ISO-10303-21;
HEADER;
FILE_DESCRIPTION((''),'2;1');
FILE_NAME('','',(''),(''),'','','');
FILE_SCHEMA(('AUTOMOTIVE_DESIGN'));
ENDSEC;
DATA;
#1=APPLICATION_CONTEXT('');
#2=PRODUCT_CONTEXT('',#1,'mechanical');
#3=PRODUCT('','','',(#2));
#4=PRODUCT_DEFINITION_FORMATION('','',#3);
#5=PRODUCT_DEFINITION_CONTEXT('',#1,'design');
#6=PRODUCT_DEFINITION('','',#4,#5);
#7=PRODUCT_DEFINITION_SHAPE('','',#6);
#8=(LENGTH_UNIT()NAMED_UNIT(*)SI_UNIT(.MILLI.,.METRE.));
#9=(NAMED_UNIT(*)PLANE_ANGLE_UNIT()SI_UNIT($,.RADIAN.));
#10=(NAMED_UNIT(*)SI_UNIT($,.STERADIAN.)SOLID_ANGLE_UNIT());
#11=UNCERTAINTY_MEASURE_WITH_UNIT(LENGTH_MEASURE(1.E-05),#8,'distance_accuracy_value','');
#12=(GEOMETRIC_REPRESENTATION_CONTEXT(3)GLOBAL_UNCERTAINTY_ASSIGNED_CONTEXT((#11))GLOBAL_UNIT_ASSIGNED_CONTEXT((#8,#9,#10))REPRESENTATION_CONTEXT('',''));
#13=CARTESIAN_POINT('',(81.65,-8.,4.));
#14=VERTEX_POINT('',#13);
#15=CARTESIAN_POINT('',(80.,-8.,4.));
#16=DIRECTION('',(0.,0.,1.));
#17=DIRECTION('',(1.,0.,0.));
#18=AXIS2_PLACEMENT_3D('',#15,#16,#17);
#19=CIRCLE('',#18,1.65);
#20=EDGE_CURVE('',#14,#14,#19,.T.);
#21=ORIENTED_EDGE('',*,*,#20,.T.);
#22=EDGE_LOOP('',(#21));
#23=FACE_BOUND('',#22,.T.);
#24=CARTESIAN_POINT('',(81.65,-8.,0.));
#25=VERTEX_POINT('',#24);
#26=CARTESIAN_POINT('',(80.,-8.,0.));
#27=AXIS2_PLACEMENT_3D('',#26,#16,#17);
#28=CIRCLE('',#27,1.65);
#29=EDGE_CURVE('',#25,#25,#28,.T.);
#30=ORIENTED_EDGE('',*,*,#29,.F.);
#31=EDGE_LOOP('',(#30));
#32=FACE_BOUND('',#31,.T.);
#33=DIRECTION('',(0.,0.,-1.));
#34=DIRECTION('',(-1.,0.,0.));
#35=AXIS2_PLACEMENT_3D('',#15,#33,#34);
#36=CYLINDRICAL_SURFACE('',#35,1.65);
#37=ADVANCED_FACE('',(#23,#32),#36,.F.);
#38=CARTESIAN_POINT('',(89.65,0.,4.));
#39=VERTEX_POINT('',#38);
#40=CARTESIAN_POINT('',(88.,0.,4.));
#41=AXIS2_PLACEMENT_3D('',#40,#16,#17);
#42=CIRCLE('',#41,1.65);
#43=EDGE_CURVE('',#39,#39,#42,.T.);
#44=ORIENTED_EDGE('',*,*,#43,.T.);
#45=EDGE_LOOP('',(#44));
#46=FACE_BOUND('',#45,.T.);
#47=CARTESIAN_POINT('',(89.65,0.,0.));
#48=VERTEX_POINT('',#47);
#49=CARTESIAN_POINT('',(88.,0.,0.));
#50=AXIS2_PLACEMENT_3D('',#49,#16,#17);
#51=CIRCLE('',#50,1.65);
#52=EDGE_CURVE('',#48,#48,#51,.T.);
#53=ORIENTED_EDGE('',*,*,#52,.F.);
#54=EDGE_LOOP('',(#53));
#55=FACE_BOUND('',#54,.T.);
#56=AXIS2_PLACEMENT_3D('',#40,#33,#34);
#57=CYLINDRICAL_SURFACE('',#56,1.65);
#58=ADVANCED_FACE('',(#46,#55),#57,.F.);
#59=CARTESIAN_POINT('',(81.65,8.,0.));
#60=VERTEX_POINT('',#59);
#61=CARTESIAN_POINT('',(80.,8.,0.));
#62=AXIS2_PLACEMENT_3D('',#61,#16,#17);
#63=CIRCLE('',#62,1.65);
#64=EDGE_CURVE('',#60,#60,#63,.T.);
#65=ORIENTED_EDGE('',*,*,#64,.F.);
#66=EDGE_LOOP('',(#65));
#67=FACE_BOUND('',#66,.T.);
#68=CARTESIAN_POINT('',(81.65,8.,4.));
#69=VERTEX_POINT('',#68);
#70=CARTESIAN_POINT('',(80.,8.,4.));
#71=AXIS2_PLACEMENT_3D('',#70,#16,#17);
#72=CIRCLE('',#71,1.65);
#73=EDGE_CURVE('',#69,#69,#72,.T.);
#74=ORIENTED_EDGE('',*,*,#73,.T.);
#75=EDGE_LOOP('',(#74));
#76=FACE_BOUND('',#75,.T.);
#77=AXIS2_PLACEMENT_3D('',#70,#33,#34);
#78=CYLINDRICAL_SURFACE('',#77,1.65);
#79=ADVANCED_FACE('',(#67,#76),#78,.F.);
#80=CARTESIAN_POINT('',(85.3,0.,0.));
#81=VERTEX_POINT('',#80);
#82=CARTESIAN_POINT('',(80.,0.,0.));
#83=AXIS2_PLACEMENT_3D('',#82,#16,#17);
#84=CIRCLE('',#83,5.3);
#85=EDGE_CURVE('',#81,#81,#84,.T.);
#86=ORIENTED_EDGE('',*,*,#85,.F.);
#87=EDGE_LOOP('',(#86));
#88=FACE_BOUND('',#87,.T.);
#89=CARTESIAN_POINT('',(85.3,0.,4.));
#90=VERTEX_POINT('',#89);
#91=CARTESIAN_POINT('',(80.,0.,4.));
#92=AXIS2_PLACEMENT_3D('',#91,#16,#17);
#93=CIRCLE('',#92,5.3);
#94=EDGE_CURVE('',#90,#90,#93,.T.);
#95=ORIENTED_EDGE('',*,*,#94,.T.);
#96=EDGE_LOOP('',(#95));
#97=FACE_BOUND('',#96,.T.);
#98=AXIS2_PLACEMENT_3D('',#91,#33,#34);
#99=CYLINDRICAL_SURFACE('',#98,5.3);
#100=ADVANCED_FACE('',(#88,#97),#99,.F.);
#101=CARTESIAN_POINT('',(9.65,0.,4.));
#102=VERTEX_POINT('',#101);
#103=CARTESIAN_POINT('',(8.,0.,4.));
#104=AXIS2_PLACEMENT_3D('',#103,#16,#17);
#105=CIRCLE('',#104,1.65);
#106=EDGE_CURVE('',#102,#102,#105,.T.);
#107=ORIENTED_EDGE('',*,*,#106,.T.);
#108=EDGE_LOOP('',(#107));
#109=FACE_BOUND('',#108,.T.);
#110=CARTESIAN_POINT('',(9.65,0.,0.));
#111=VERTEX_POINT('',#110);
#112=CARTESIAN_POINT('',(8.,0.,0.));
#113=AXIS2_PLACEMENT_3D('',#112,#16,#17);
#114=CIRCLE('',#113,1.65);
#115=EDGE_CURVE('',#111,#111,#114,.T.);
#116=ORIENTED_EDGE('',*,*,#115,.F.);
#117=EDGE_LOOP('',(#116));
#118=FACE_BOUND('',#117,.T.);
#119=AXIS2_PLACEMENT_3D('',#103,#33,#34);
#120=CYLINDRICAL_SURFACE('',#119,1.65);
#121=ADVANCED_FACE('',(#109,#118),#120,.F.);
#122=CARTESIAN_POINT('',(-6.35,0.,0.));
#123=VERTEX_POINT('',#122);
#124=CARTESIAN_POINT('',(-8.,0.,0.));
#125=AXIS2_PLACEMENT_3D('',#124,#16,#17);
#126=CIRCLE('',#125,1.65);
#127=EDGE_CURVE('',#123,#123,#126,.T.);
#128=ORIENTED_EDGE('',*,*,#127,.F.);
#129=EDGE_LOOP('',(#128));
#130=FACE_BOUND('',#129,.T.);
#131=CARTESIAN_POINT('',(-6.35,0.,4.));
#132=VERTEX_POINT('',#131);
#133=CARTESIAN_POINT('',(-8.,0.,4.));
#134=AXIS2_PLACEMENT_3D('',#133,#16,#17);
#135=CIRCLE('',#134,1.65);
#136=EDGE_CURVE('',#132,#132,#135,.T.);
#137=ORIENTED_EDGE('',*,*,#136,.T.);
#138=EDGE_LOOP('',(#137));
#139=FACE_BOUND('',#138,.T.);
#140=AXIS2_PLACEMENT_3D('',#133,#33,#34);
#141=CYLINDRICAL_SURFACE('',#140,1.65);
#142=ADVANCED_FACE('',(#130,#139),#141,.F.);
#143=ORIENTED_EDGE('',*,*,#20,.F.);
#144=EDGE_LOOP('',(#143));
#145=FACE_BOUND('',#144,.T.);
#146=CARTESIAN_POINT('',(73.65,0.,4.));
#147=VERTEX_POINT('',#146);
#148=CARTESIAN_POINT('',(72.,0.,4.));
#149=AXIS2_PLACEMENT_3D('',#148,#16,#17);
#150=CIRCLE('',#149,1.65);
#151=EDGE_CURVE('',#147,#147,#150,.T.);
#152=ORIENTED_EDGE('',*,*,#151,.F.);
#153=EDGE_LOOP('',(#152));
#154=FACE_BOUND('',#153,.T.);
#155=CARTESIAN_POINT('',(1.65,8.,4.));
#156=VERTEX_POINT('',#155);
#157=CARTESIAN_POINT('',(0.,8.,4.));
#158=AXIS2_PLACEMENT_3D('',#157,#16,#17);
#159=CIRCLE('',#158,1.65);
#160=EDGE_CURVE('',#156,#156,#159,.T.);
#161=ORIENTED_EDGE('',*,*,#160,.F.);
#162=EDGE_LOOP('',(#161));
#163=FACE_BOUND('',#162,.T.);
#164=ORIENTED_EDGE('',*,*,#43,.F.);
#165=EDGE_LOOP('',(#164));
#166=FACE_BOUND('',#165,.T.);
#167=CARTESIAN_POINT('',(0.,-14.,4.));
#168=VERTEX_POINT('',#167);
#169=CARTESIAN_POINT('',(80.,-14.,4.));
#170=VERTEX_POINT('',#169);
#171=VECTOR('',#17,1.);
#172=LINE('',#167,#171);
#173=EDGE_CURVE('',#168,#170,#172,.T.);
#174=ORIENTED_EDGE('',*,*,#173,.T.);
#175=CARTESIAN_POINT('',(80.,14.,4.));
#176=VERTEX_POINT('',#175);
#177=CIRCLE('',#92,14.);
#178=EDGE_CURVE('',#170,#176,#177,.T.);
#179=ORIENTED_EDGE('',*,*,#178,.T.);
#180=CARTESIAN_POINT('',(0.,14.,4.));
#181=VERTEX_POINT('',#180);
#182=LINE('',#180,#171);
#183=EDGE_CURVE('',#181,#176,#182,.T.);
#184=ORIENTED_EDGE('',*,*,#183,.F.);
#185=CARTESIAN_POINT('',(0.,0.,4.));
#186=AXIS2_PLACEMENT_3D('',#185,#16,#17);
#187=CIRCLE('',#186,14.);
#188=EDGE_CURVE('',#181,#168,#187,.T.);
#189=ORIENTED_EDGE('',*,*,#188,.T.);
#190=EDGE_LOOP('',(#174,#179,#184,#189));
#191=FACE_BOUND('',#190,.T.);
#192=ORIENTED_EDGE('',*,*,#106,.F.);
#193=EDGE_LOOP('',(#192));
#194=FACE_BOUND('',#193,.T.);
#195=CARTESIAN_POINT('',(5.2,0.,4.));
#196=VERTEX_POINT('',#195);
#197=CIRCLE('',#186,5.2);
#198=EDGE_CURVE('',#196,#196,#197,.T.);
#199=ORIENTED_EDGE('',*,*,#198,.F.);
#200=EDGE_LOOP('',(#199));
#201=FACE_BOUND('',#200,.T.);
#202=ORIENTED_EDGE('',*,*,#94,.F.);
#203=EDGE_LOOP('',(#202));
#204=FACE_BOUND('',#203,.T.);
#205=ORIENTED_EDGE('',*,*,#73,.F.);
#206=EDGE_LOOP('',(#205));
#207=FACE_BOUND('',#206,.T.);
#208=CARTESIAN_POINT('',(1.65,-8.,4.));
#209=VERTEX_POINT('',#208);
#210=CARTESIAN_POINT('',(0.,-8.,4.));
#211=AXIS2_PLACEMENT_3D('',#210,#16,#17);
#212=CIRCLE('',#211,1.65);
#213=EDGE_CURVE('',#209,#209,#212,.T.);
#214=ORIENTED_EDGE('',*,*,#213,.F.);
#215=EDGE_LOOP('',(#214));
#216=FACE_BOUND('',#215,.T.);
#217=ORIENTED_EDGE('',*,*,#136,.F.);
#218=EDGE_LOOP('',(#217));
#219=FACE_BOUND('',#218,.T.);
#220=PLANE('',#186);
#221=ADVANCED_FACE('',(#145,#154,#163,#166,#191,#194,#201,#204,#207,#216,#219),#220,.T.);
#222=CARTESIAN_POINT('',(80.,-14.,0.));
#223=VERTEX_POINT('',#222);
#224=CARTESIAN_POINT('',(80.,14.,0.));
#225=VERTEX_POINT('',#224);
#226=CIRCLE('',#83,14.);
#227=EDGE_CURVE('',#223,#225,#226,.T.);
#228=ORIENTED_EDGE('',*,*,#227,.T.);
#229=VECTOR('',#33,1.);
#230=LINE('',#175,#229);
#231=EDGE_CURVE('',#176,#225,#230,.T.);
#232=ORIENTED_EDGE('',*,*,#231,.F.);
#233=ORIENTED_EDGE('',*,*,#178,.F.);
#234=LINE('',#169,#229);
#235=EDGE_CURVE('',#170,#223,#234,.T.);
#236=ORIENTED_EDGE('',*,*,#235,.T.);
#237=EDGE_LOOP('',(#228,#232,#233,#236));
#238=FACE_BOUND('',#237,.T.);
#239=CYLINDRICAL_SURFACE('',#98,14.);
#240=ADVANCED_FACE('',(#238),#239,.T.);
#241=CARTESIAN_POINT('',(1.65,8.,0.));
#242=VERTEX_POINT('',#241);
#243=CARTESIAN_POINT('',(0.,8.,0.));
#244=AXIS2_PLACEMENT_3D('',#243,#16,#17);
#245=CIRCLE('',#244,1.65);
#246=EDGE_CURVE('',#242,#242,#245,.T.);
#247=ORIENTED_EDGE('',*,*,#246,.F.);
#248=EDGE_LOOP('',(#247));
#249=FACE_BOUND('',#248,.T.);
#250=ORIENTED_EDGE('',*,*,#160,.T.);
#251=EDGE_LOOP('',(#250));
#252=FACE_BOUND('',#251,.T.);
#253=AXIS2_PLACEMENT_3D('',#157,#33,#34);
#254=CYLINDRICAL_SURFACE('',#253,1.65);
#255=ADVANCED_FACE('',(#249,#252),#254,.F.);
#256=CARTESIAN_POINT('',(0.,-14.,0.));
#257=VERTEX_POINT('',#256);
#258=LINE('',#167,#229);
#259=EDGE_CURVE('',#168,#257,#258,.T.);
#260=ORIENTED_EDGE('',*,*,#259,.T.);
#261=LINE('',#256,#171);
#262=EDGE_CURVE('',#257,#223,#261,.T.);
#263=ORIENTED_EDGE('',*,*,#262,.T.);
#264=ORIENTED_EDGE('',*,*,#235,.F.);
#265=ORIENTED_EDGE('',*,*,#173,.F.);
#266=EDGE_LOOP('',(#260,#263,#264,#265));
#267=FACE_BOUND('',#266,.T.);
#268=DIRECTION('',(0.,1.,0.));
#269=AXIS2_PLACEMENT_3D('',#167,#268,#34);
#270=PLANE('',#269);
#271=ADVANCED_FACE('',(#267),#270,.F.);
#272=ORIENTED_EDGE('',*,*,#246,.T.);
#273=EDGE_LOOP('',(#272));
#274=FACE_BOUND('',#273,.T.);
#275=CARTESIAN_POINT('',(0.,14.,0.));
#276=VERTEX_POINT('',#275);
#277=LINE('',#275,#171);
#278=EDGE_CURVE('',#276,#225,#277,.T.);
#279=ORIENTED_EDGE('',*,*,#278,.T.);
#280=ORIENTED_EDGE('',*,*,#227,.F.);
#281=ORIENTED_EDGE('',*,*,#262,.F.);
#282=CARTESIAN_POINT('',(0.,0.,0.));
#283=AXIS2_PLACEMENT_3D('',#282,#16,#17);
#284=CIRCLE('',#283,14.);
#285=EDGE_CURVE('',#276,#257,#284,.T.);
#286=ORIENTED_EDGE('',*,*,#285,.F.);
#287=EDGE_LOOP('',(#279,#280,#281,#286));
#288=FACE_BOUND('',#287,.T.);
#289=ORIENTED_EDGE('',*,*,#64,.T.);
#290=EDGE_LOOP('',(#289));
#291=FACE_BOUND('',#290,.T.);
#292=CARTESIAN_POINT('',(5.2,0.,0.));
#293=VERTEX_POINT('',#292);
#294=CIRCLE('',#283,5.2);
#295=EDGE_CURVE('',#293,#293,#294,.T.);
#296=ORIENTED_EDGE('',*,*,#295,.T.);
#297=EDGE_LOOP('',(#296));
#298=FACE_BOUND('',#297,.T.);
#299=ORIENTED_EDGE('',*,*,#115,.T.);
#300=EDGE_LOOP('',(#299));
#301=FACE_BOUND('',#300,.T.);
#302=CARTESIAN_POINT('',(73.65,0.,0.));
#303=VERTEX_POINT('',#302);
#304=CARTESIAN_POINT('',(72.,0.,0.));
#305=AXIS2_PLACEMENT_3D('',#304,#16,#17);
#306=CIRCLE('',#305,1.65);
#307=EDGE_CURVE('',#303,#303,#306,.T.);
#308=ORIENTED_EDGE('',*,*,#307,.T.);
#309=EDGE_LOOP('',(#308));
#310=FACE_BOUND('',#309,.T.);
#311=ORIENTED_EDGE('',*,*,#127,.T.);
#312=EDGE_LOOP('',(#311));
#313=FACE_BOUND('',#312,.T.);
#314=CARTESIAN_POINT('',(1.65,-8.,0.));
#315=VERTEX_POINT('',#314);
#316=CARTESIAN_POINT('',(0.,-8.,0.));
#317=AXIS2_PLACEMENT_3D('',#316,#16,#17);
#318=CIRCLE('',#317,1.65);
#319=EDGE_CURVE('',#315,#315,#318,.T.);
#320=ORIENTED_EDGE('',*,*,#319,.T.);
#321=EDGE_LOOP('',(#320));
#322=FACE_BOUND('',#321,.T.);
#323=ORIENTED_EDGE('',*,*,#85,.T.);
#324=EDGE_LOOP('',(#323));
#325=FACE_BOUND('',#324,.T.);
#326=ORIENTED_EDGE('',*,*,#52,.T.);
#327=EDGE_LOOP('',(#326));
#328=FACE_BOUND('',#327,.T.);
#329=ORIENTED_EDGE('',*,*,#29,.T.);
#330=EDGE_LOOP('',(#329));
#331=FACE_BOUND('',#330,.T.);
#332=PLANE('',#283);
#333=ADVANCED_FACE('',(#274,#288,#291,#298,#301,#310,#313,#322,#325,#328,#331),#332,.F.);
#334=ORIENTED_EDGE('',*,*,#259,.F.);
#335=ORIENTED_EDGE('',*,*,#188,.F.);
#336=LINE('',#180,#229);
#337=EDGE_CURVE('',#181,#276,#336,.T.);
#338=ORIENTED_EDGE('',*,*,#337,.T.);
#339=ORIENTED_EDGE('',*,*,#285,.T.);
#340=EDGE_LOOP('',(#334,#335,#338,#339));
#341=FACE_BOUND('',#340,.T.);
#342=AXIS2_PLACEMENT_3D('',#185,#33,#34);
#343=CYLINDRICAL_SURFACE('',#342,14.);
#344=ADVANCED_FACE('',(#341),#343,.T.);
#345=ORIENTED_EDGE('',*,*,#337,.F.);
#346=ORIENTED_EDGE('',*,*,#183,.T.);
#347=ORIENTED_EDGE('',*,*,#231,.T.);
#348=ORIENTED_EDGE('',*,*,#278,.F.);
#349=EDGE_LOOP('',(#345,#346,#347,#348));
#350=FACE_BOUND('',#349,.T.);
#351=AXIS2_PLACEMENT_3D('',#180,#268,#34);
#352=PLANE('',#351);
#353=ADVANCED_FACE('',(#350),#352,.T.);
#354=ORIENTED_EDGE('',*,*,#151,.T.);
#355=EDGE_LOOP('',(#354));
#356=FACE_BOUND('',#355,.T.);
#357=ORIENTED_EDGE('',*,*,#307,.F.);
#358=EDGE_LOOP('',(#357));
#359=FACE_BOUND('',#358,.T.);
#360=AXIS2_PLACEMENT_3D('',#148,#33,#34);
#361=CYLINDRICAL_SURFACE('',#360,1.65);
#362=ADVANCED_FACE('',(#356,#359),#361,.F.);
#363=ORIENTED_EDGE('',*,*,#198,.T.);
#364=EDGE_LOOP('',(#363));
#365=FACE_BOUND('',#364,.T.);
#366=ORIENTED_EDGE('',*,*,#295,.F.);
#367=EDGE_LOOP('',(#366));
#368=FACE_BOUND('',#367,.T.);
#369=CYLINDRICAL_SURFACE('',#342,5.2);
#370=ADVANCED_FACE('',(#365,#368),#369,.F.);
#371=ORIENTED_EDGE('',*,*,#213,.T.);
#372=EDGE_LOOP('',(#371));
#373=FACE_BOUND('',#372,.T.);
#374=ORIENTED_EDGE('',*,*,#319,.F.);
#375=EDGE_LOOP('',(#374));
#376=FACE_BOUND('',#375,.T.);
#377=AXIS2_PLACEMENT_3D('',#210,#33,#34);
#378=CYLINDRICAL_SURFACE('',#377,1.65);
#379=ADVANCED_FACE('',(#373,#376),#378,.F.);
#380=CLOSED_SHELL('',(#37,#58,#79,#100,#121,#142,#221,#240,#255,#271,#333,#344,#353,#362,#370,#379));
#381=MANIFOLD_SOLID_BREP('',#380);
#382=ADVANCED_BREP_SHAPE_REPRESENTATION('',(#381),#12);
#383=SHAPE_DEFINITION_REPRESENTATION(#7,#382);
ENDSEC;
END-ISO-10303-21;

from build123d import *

# Parameters (mm, degrees)
EXTRUDE_1_DEPTH = 4


with BuildPart() as part:
    # 草图1 → 凸台-拉伸1 (new body)
    with BuildSketch(Plane.XY):
        with BuildLine():
            Line((0, 9.65), (0, 14))
            ThreePointArc((0, 14), (-14, 0), (0, -14))
            Line((0, -14), (0, -9.65))
            ThreePointArc((0, -9.65), (-1.225409689, -9.104930357), (-1.641202867, -7.82984375))
            ThreePointArc((-1.641202867, -7.82984375), (-5.656854249, -5.656854249), (-7.82984375, -1.641202867))
            ThreePointArc((-7.82984375, -1.641202867), (-9.65, 0), (-7.82984375, 1.641202867))
            ThreePointArc((-7.82984375, 1.641202867), (-5.656854249, 5.656854249), (-1.641202867, 7.82984375))
            ThreePointArc((-1.641202867, 7.82984375), (-1.225409689, 9.104930357), (0, 9.65))
        make_face()
        with BuildLine():
            ThreePointArc((0, 6.35), (-1.104930357, 6.774590311), (-1.641202867, 7.82984375))
            ThreePointArc((-1.641202867, 7.82984375), (-5.656854249, 5.656854249), (-7.82984375, 1.641202867))
            ThreePointArc((-7.82984375, 1.641202867), (-6.774590311, 1.104930357), (-6.35, 0))
            ThreePointArc((-6.35, 0), (-6.774590311, -1.104930357), (-7.82984375, -1.641202867))
            ThreePointArc((-7.82984375, -1.641202867), (-5.656854249, -5.656854249), (-1.641202867, -7.82984375))
            ThreePointArc((-1.641202867, -7.82984375), (-1.104930357, -6.774590311), (0, -6.35))
            Line((0, -6.35), (0, -5.2))
            ThreePointArc((0, -5.2), (-5.2, 0), (0, 5.2))
            Line((0, 5.2), (0, 6.35))
        make_face()
        with BuildLine():
            ThreePointArc((1.641202867, 7.82984375), (1.104930357, 6.774590311), (0, 6.35))
            Line((0, 6.35), (0, 5.2))
            ThreePointArc((0, 5.2), (3.676955262, 3.676955262), (5.2, 0))
            ThreePointArc((5.2, 0), (3.676955262, -3.676955262), (0, -5.2))
            Line((0, -5.2), (0, -6.35))
            ThreePointArc((0, -6.35), (1.104930357, -6.774590311), (1.641202867, -7.82984375))
            ThreePointArc((1.641202867, -7.82984375), (5.656854249, -5.656854249), (7.82984375, -1.641202867))
            ThreePointArc((7.82984375, -1.641202867), (6.35, 0), (7.82984375, 1.641202867))
            ThreePointArc((7.82984375, 1.641202867), (5.656854249, 5.656854249), (1.641202867, 7.82984375))
        make_face()
        with BuildLine():
            ThreePointArc((14, 0), (9.899494937, 9.899494937), (0, 14))
            Line((0, 14), (0, 9.65))
            ThreePointArc((0, 9.65), (1.166726189, 9.166726189), (1.65, 8))
            ThreePointArc((1.65, 8), (1.647799249, 7.914808247), (1.641202867, 7.82984375))
            ThreePointArc((1.641202867, 7.82984375), (5.656854249, 5.656854249), (7.82984375, 1.641202867))
            ThreePointArc((7.82984375, 1.641202867), (9.104930357, 1.225409689), (9.65, 0))
            ThreePointArc((9.65, 0), (9.104930357, -1.225409689), (7.82984375, -1.641202867))
            ThreePointArc((7.82984375, -1.641202867), (5.656854249, -5.656854249), (1.641202867, -7.82984375))
            ThreePointArc((1.641202867, -7.82984375), (1.647799249, -7.914808247), (1.65, -8))
            ThreePointArc((1.65, -8), (1.166726189, -9.166726189), (0, -9.65))
            Line((0, -9.65), (0, -14))
            ThreePointArc((0, -14), (9.899494937, -9.899494937), (14, 0))
        make_face()
        with BuildLine():
            ThreePointArc((94, 0), (89.899494937, 9.899494937), (80, 14))
            Line((80, 14), (80, 9.65))
            ThreePointArc((80, 9.65), (81.166726189, 9.166726189), (81.65, 8))
            ThreePointArc((81.65, 8), (81.647799249, 7.914808247), (81.641202867, 7.82984375))
            ThreePointArc((81.641202867, 7.82984375), (85.656854249, 5.656854249), (87.82984375, 1.641202867))
            ThreePointArc((87.82984375, 1.641202867), (89.104930357, 1.225409689), (89.65, 0))
            ThreePointArc((89.65, 0), (89.104930357, -1.225409689), (87.82984375, -1.641202867))
            ThreePointArc((87.82984375, -1.641202867), (85.656854249, -5.656854249), (81.641202867, -7.82984375))
            ThreePointArc((81.641202867, -7.82984375), (81.647799249, -7.914808247), (81.65, -8))
            ThreePointArc((81.65, -8), (81.166726189, -9.166726189), (80, -9.65))
            Line((80, -9.65), (80, -14))
            ThreePointArc((80, -14), (89.899494937, -9.899494937), (94, 0))
        make_face()
        with BuildLine():
            Line((80, 9.65), (80, 14))
            ThreePointArc((80, 14), (66, 0), (80, -14))
            Line((80, -14), (80, -9.65))
            ThreePointArc((80, -9.65), (78.774590311, -9.104930357), (78.358797133, -7.82984375))
            ThreePointArc((78.358797133, -7.82984375), (74.343145751, -5.656854249), (72.17015625, -1.641202867))
            ThreePointArc((72.17015625, -1.641202867), (70.35, 0), (72.17015625, 1.641202867))
            ThreePointArc((72.17015625, 1.641202867), (74.343145751, 5.656854249), (78.358797133, 7.82984375))
            ThreePointArc((78.358797133, 7.82984375), (78.774590311, 9.104930357), (80, 9.65))
        make_face()
        with BuildLine():
            ThreePointArc((80, 6.35), (78.895069643, 6.774590311), (78.358797133, 7.82984375))
            ThreePointArc((78.358797133, 7.82984375), (74.343145751, 5.656854249), (72.17015625, 1.641202867))
            ThreePointArc((72.17015625, 1.641202867), (73.225409689, 1.104930357), (73.65, 0))
            ThreePointArc((73.65, 0), (73.225409689, -1.104930357), (72.17015625, -1.641202867))
            ThreePointArc((72.17015625, -1.641202867), (74.343145751, -5.656854249), (78.358797133, -7.82984375))
            ThreePointArc((78.358797133, -7.82984375), (78.895069643, -6.774590311), (80, -6.35))
            Line((80, -6.35), (80, -5.3))
            ThreePointArc((80, -5.3), (74.7, 0), (80, 5.3))
            Line((80, 5.3), (80, 6.35))
        make_face()
        with BuildLine():
            ThreePointArc((81.641202867, 7.82984375), (81.104930357, 6.774590311), (80, 6.35))
            Line((80, 6.35), (80, 5.3))
            ThreePointArc((80, 5.3), (83.74766594, 3.74766594), (85.3, 0))
            ThreePointArc((85.3, 0), (83.74766594, -3.74766594), (80, -5.3))
            Line((80, -5.3), (80, -6.35))
            ThreePointArc((80, -6.35), (81.104930357, -6.774590311), (81.641202867, -7.82984375))
            ThreePointArc((81.641202867, -7.82984375), (85.656854249, -5.656854249), (87.82984375, -1.641202867))
            ThreePointArc((87.82984375, -1.641202867), (86.35, 0), (87.82984375, 1.641202867))
            ThreePointArc((87.82984375, 1.641202867), (85.656854249, 5.656854249), (81.641202867, 7.82984375))
        make_face()
        with BuildLine():
            Line((80, 14), (0, 14))
            ThreePointArc((0, 14), (9.899494937, 9.899494937), (14, 0))
            ThreePointArc((14, 0), (9.899494937, -9.899494937), (0, -14))
            Line((0, -14), (80, -14))
            ThreePointArc((80, -14), (66, 0), (80, 14))
        make_face()
    extrude(amount=EXTRUDE_1_DEPTH)


solid = part.part
